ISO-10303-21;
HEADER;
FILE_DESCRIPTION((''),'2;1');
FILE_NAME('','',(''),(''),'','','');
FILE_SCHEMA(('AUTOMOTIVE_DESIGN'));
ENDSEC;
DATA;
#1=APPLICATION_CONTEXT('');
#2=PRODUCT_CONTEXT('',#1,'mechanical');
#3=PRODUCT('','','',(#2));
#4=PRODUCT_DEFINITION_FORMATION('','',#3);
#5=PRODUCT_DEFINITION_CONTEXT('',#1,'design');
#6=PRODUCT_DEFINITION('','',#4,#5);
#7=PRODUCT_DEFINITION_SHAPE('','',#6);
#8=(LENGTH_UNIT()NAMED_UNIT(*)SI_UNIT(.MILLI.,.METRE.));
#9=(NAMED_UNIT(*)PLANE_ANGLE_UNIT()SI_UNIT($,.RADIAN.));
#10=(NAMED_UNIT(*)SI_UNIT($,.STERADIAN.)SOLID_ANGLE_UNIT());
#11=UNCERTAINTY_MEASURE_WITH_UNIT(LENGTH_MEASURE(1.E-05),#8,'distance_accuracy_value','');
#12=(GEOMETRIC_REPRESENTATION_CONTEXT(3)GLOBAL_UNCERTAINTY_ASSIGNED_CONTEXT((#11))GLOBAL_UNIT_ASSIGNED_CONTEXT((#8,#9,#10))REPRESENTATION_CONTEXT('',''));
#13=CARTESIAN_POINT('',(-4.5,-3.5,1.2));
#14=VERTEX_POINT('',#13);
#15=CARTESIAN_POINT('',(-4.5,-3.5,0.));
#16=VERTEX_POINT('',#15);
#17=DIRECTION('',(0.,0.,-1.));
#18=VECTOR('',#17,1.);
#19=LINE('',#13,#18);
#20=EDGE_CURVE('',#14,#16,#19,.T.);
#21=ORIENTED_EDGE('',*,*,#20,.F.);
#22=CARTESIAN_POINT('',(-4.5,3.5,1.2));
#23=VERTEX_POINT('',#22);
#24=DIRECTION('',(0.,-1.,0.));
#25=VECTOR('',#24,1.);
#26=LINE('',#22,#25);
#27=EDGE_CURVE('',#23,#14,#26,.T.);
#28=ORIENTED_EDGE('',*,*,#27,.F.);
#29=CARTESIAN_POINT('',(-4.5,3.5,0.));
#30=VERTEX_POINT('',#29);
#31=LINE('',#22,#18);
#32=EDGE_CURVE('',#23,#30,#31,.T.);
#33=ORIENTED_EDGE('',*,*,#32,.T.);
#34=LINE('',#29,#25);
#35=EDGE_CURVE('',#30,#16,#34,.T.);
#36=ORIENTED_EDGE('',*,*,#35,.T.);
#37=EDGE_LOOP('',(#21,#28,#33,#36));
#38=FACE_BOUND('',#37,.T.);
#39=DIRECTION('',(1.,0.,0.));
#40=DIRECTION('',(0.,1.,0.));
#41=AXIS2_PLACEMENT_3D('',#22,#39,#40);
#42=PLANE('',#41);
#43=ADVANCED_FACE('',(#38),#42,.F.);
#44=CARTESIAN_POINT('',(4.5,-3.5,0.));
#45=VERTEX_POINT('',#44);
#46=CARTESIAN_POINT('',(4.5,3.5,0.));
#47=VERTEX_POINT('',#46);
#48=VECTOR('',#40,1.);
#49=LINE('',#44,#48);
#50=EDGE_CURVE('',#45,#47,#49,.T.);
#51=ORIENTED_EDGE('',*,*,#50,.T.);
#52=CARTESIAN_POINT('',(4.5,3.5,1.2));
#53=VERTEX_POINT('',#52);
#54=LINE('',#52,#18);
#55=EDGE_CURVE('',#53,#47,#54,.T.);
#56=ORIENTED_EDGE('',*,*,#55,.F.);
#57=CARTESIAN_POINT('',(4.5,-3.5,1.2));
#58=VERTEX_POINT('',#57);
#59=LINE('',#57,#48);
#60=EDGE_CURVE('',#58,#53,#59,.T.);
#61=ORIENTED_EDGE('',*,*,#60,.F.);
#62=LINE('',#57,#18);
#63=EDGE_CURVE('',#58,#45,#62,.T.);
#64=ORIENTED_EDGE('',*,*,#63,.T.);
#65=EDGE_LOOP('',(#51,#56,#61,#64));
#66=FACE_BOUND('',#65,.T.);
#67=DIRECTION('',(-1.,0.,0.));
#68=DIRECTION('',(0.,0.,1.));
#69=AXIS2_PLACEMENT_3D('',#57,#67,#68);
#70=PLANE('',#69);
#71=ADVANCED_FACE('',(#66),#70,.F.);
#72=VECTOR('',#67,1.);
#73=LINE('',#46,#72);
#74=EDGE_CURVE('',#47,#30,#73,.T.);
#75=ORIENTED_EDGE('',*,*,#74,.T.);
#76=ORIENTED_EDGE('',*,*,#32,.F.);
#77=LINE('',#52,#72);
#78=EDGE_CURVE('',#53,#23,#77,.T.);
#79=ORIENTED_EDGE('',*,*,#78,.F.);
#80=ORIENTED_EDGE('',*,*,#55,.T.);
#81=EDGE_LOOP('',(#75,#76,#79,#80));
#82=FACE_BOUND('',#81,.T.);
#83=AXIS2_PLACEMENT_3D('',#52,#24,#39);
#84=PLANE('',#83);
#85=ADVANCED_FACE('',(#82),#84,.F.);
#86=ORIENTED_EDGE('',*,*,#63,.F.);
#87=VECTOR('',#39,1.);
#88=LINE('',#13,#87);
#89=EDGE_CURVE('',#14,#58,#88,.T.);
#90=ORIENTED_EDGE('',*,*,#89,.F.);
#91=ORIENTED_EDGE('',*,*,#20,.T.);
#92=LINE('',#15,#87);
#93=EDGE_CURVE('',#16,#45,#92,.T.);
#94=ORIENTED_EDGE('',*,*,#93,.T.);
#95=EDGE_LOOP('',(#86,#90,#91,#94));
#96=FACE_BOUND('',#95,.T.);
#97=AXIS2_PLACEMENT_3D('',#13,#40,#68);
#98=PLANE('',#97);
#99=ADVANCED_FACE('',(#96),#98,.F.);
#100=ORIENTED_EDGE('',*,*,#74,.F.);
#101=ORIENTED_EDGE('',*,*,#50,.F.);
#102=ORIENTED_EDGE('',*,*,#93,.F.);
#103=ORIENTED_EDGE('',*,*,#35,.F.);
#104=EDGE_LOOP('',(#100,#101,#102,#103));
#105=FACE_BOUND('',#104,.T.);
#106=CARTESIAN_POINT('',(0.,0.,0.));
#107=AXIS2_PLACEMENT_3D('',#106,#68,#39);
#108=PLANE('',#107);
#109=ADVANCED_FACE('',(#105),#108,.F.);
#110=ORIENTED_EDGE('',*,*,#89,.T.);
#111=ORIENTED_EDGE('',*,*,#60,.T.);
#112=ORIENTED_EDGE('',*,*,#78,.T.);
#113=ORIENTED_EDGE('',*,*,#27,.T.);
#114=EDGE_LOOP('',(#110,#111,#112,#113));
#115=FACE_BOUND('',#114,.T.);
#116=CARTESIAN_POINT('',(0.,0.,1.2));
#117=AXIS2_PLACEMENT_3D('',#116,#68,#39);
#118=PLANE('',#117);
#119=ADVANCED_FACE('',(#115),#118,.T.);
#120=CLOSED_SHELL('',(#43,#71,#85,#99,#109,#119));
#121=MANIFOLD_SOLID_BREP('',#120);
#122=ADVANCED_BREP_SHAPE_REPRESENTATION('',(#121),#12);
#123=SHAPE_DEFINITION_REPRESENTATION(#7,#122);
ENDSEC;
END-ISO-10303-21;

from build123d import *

# Parameters (mm, degrees)
SKETCH1_W           = 9
SKETCH1_H           = 7
BOSS_EXTRUDE1_DEPTH = 1.2


with BuildPart() as part:
    # Sketch1 → Boss-Extrude1 (new body)
    with BuildSketch(Plane.XY):
        Rectangle(SKETCH1_W, SKETCH1_H)
    extrude(amount=BOSS_EXTRUDE1_DEPTH)


solid = part.part
